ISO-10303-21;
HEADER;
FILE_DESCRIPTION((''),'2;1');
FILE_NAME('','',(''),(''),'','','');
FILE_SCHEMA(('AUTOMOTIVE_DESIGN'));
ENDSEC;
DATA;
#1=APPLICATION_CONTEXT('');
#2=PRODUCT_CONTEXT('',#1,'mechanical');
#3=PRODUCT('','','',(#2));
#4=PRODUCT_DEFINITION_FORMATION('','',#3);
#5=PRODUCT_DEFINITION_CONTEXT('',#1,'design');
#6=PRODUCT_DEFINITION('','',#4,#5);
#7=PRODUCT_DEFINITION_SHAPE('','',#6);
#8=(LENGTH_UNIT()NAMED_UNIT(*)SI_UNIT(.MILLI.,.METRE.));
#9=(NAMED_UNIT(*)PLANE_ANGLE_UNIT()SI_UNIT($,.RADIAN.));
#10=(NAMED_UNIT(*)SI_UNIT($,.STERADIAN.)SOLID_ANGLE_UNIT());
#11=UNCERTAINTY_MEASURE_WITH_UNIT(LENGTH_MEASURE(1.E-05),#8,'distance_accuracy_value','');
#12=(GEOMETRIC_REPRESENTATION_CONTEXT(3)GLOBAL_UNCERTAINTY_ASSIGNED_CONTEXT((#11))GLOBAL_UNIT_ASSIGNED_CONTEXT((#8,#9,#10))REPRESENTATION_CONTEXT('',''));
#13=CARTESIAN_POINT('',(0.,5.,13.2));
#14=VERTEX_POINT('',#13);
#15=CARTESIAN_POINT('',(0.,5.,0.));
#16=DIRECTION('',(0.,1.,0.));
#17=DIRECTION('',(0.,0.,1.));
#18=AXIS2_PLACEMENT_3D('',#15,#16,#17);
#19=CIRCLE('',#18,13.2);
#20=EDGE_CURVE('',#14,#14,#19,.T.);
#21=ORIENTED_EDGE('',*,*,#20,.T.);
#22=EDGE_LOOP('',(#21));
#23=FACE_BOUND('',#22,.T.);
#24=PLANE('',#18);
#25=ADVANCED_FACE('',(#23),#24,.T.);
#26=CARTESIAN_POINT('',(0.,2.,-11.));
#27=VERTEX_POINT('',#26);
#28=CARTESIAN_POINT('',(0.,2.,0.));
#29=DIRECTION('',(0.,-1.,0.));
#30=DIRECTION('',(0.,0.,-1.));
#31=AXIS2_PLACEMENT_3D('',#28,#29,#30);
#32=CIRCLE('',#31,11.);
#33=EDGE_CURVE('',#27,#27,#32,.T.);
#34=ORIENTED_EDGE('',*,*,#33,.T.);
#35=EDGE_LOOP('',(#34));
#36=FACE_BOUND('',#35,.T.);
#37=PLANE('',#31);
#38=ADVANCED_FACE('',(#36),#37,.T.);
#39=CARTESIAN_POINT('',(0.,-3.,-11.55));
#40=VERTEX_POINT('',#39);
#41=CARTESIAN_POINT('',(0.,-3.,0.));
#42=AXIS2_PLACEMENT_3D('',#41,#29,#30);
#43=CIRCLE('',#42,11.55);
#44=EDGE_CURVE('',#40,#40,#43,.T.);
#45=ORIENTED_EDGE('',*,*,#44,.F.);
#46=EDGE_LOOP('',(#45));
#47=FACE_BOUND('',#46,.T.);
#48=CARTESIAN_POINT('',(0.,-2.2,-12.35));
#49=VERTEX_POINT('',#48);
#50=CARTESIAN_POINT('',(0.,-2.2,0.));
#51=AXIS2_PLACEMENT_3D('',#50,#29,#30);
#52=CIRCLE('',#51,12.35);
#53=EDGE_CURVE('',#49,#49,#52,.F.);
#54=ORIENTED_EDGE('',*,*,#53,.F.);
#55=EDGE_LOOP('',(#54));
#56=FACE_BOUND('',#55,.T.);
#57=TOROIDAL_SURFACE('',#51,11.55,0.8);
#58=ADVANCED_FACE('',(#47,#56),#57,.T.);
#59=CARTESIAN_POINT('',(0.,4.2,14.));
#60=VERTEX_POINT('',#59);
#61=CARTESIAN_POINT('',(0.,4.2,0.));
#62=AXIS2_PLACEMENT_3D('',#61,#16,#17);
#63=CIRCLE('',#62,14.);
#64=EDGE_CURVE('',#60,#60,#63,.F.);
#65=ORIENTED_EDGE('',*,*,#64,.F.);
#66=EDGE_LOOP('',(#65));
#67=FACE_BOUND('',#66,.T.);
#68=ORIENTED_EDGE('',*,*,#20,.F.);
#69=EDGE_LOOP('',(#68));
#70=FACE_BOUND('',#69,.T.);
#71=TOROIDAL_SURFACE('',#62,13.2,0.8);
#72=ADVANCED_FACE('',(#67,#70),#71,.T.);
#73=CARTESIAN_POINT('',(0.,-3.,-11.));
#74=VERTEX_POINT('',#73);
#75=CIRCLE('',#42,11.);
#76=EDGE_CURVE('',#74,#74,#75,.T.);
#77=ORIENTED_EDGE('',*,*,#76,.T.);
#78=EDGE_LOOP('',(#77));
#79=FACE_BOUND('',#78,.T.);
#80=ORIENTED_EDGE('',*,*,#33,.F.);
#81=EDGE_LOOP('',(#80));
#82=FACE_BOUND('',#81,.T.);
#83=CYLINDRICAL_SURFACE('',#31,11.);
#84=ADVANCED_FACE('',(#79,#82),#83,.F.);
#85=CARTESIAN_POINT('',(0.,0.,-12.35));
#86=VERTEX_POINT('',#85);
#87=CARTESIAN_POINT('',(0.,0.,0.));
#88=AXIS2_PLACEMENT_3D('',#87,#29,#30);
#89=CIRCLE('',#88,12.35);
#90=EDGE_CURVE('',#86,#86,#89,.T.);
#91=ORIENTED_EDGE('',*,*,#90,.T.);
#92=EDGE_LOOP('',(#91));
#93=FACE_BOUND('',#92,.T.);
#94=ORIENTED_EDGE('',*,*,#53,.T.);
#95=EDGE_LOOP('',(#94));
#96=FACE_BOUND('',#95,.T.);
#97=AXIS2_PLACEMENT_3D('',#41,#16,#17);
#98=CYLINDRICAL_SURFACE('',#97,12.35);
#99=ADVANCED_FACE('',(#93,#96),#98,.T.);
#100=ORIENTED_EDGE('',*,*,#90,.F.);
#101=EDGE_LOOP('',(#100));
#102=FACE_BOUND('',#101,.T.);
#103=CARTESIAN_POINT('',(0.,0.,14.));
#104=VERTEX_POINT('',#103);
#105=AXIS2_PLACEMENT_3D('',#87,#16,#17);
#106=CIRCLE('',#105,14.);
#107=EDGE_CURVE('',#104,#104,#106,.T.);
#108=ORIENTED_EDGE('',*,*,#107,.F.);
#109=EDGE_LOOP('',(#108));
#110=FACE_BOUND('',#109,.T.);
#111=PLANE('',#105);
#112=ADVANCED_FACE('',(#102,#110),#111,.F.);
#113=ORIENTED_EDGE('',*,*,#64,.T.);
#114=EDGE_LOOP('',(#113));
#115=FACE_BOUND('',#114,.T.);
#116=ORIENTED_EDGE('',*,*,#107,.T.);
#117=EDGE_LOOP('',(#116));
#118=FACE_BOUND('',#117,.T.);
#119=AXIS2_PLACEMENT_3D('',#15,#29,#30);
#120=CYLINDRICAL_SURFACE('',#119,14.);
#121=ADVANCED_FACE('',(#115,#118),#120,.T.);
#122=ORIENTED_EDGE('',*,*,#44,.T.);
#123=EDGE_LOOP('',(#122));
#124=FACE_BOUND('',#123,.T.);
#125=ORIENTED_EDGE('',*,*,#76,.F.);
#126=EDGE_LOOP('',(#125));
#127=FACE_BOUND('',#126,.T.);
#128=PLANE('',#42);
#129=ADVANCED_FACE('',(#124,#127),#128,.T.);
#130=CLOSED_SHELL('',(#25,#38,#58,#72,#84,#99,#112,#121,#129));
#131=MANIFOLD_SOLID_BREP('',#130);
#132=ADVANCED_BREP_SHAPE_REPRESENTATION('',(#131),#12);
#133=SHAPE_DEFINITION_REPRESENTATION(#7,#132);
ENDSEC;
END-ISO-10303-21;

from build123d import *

# Parameters (mm, degrees)
SKETCH_1_R          = 14
EXTRUDE_1_DEPTH     = 5
SKETCH_2_R          = 12.35
EXTRUDE_2_DEPTH     = 3
SKETCH_3_R          = 11
CUT_EXTRUDE_1_DEPTH = 5
FILLET_2_R          = 0.8
FILLET_3_R          = 0.8


with BuildPart() as part:
    # Эскиз1 → Бобышка-Вытянуть1 (new body)
    with BuildSketch(Plane(origin=(0, 0, 0), x_dir=(1, 0, 0), z_dir=(0, 1, 0))):
        Circle(SKETCH_1_R)
    extrude(amount=EXTRUDE_1_DEPTH)

    # Эскиз2 → Бобышка-Вытянуть2 (add)
    with BuildSketch(Plane.XZ):
        Circle(SKETCH_2_R)
    extrude(amount=EXTRUDE_2_DEPTH)

    # Эскиз3 → Вырез-Вытянуть1 (cut)
    with BuildSketch(Plane.XZ.offset(3)):
        Circle(SKETCH_3_R)
    extrude(amount=-CUT_EXTRUDE_1_DEPTH, mode=Mode.SUBTRACT)

    # Скругление2
    fillet_2_edges = [part.edges().sort_by_distance(p)[0] for p in [
        (-12.35, -3, 0),
    ]]
    fillet(fillet_2_edges, radius=FILLET_2_R)

    # Скругление3
    fillet_3_edges = [part.edges().sort_by_distance(p)[0] for p in [
        (-14, 5, 0),
    ]]
    fillet(fillet_3_edges, radius=FILLET_3_R)


solid = part.part
